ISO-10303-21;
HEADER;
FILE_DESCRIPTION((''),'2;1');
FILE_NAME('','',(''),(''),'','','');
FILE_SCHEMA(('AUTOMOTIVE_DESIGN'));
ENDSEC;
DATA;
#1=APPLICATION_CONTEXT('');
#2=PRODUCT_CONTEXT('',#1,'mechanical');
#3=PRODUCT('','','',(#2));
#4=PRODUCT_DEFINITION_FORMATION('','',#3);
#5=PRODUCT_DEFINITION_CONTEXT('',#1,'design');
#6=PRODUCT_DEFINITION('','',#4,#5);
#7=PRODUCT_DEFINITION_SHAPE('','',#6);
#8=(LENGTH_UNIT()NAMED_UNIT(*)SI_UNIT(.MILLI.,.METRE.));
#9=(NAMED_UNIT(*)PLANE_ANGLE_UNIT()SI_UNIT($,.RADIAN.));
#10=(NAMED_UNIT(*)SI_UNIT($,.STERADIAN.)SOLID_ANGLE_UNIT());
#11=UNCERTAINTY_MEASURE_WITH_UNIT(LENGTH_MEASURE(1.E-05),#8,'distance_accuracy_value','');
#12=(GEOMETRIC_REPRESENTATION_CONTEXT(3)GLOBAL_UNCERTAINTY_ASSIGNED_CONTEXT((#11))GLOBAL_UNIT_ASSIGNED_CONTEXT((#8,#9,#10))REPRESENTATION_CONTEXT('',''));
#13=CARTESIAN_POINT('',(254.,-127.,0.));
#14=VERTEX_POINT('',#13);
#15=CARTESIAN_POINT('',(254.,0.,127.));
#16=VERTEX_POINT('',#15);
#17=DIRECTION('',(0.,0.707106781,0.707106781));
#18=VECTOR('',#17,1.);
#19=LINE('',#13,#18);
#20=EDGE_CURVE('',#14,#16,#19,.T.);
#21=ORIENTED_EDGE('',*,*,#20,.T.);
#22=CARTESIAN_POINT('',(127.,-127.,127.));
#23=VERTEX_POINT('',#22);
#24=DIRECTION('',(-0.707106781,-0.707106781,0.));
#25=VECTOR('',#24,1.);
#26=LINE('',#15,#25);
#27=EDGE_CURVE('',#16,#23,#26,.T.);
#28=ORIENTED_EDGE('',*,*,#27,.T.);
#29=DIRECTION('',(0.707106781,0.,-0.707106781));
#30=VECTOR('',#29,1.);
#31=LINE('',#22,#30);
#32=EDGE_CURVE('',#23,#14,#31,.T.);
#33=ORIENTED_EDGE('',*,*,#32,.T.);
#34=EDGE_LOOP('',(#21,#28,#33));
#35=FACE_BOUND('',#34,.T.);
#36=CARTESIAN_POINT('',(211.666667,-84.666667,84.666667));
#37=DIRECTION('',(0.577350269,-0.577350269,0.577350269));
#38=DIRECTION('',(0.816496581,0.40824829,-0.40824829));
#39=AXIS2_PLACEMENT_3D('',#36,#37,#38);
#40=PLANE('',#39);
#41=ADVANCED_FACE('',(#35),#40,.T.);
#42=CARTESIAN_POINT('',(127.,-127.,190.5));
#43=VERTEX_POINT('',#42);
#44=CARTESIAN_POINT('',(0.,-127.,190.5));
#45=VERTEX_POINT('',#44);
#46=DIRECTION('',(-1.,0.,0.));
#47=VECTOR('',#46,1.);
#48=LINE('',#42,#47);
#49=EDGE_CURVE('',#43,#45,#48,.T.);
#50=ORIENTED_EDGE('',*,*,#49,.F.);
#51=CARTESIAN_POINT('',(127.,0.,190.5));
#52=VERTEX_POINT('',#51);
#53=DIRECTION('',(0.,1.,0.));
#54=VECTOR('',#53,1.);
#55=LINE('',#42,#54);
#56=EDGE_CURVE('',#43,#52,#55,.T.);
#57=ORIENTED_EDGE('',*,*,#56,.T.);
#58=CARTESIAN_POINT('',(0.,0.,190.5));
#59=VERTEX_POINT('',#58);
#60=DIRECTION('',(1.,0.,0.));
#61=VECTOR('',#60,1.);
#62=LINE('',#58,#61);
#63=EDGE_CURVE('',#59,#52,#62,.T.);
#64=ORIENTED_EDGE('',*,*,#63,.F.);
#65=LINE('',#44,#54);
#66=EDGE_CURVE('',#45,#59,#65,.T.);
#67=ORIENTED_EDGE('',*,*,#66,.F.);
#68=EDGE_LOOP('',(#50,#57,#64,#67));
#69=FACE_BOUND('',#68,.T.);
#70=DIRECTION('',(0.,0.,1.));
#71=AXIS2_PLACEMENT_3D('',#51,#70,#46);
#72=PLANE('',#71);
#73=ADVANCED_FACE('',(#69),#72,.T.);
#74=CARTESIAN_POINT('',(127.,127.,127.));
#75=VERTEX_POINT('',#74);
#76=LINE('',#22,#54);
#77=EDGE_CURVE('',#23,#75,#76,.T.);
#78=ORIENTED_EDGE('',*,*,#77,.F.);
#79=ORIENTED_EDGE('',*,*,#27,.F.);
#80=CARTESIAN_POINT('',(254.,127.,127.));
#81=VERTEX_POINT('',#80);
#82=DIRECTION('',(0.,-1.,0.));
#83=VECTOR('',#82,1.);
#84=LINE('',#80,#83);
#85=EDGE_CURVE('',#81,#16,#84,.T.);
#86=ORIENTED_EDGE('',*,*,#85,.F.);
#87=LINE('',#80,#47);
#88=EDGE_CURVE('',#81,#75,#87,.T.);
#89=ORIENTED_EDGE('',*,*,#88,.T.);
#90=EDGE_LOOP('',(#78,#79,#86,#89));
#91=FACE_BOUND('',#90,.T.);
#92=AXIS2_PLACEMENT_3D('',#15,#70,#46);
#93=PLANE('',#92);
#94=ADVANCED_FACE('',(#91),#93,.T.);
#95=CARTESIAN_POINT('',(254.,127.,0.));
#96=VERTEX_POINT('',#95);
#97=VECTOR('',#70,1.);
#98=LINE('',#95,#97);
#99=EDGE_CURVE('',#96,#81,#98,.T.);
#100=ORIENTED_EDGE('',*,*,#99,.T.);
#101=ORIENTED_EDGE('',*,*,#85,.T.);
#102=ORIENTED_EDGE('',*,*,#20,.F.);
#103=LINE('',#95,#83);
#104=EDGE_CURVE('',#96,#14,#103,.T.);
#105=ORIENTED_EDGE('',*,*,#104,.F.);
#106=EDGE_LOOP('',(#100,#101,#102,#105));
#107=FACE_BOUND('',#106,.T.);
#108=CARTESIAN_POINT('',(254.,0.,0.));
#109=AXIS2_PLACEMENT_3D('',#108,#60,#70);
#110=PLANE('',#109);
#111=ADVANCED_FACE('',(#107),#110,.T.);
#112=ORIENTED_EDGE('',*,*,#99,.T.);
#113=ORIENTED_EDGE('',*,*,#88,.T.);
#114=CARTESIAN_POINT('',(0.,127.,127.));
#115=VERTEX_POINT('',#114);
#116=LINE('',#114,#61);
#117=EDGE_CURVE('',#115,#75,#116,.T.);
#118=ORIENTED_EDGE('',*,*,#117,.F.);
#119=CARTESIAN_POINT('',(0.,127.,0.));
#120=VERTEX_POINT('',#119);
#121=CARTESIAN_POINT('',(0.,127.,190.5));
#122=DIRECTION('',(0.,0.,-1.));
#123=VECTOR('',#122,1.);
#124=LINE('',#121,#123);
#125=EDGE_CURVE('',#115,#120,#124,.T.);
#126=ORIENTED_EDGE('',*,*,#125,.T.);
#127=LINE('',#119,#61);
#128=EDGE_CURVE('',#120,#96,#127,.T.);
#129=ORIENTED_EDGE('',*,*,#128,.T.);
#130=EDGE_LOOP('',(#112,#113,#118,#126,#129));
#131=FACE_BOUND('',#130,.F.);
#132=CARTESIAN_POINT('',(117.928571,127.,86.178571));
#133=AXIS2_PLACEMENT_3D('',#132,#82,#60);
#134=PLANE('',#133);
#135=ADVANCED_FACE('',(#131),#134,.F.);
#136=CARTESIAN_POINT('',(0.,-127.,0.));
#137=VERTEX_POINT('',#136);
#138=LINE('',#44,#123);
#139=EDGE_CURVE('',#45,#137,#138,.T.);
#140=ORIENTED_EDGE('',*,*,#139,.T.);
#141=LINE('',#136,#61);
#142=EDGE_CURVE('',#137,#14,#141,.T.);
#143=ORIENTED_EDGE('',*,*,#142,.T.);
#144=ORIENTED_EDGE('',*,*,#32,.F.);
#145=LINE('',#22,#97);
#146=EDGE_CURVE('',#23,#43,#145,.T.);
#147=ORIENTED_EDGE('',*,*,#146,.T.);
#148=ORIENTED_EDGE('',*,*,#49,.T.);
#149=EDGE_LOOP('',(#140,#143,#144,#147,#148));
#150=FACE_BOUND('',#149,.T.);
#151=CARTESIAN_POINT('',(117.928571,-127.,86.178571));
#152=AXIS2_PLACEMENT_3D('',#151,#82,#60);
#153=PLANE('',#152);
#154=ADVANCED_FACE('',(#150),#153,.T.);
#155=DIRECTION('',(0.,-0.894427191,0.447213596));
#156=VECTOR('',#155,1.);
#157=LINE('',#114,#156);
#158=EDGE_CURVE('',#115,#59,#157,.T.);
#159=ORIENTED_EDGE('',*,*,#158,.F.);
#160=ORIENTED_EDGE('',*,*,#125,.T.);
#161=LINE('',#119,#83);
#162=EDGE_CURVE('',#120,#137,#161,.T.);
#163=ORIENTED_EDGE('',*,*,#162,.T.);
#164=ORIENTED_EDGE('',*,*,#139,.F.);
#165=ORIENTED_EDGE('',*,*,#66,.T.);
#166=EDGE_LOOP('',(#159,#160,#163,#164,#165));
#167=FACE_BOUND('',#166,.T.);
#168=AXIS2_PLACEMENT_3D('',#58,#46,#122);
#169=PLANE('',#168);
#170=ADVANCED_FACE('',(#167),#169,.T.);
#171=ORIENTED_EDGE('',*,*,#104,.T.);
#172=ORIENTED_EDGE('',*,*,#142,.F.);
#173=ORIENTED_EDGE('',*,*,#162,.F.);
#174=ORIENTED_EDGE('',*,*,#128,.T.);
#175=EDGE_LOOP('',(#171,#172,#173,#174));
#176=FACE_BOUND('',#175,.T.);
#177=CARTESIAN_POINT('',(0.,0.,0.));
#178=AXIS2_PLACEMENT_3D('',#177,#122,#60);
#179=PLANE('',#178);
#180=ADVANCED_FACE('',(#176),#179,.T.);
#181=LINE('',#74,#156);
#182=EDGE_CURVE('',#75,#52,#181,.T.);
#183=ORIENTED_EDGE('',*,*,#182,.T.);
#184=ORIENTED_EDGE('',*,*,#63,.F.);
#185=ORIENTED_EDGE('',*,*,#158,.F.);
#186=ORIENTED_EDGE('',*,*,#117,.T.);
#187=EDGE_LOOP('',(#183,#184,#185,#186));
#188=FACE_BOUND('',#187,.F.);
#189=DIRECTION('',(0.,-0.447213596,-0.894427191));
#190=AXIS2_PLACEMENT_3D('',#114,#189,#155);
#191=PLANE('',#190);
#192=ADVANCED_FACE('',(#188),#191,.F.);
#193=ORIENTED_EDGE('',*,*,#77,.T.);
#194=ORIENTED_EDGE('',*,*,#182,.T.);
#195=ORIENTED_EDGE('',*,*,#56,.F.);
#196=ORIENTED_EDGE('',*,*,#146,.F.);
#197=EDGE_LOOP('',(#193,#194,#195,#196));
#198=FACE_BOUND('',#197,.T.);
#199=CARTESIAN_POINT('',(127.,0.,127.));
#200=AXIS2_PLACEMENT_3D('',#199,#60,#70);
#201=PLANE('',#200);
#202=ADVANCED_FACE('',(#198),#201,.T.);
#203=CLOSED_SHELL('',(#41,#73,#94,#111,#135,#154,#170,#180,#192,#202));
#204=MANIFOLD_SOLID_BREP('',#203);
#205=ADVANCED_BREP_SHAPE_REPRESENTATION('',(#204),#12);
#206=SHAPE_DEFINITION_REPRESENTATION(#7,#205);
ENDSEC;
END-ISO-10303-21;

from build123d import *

# Parameters (mm, degrees)
F1_DEPTH = 127
F3_DEPTH = 127
F7_DEPTH = 277.876


with BuildPart() as f1:
    # F0 (on Front) → F1 (new body, symmetric)
    with BuildSketch(Plane.XZ):
        Polygon((0, 190.5), (0, 0), (254, 0), (254, 127), (127, 127), (127, 190.5), align=None)
    extrude(amount=F1_DEPTH, both=True)

    # F2 (on face) → F3 (cut)
    with BuildSketch(Plane(origin=(0, 0, 0), x_dir=(0, -1, 0), z_dir=(-1, 0, 0))):
        Polygon((-127, 127), (0, 190.5), (-127, 190.5), align=None)
    extrude(amount=-F3_DEPTH, mode=Mode.SUBTRACT)

    # F6 (on 3pt) → F7 (cut)
    with BuildSketch(Plane(origin=(127, -127, 127), x_dir=(0.8164965809, 0.4082482905, -0.4082482905), z_dir=(0.5773502692, -0.5773502692, 0.5773502692))):
        Polygon((155.5425986667, 89.8025612107), (0, 0), (155.5425986667, -89.8025612107), align=None)
    extrude(amount=F7_DEPTH, mode=Mode.SUBTRACT)


solid = f1.part
